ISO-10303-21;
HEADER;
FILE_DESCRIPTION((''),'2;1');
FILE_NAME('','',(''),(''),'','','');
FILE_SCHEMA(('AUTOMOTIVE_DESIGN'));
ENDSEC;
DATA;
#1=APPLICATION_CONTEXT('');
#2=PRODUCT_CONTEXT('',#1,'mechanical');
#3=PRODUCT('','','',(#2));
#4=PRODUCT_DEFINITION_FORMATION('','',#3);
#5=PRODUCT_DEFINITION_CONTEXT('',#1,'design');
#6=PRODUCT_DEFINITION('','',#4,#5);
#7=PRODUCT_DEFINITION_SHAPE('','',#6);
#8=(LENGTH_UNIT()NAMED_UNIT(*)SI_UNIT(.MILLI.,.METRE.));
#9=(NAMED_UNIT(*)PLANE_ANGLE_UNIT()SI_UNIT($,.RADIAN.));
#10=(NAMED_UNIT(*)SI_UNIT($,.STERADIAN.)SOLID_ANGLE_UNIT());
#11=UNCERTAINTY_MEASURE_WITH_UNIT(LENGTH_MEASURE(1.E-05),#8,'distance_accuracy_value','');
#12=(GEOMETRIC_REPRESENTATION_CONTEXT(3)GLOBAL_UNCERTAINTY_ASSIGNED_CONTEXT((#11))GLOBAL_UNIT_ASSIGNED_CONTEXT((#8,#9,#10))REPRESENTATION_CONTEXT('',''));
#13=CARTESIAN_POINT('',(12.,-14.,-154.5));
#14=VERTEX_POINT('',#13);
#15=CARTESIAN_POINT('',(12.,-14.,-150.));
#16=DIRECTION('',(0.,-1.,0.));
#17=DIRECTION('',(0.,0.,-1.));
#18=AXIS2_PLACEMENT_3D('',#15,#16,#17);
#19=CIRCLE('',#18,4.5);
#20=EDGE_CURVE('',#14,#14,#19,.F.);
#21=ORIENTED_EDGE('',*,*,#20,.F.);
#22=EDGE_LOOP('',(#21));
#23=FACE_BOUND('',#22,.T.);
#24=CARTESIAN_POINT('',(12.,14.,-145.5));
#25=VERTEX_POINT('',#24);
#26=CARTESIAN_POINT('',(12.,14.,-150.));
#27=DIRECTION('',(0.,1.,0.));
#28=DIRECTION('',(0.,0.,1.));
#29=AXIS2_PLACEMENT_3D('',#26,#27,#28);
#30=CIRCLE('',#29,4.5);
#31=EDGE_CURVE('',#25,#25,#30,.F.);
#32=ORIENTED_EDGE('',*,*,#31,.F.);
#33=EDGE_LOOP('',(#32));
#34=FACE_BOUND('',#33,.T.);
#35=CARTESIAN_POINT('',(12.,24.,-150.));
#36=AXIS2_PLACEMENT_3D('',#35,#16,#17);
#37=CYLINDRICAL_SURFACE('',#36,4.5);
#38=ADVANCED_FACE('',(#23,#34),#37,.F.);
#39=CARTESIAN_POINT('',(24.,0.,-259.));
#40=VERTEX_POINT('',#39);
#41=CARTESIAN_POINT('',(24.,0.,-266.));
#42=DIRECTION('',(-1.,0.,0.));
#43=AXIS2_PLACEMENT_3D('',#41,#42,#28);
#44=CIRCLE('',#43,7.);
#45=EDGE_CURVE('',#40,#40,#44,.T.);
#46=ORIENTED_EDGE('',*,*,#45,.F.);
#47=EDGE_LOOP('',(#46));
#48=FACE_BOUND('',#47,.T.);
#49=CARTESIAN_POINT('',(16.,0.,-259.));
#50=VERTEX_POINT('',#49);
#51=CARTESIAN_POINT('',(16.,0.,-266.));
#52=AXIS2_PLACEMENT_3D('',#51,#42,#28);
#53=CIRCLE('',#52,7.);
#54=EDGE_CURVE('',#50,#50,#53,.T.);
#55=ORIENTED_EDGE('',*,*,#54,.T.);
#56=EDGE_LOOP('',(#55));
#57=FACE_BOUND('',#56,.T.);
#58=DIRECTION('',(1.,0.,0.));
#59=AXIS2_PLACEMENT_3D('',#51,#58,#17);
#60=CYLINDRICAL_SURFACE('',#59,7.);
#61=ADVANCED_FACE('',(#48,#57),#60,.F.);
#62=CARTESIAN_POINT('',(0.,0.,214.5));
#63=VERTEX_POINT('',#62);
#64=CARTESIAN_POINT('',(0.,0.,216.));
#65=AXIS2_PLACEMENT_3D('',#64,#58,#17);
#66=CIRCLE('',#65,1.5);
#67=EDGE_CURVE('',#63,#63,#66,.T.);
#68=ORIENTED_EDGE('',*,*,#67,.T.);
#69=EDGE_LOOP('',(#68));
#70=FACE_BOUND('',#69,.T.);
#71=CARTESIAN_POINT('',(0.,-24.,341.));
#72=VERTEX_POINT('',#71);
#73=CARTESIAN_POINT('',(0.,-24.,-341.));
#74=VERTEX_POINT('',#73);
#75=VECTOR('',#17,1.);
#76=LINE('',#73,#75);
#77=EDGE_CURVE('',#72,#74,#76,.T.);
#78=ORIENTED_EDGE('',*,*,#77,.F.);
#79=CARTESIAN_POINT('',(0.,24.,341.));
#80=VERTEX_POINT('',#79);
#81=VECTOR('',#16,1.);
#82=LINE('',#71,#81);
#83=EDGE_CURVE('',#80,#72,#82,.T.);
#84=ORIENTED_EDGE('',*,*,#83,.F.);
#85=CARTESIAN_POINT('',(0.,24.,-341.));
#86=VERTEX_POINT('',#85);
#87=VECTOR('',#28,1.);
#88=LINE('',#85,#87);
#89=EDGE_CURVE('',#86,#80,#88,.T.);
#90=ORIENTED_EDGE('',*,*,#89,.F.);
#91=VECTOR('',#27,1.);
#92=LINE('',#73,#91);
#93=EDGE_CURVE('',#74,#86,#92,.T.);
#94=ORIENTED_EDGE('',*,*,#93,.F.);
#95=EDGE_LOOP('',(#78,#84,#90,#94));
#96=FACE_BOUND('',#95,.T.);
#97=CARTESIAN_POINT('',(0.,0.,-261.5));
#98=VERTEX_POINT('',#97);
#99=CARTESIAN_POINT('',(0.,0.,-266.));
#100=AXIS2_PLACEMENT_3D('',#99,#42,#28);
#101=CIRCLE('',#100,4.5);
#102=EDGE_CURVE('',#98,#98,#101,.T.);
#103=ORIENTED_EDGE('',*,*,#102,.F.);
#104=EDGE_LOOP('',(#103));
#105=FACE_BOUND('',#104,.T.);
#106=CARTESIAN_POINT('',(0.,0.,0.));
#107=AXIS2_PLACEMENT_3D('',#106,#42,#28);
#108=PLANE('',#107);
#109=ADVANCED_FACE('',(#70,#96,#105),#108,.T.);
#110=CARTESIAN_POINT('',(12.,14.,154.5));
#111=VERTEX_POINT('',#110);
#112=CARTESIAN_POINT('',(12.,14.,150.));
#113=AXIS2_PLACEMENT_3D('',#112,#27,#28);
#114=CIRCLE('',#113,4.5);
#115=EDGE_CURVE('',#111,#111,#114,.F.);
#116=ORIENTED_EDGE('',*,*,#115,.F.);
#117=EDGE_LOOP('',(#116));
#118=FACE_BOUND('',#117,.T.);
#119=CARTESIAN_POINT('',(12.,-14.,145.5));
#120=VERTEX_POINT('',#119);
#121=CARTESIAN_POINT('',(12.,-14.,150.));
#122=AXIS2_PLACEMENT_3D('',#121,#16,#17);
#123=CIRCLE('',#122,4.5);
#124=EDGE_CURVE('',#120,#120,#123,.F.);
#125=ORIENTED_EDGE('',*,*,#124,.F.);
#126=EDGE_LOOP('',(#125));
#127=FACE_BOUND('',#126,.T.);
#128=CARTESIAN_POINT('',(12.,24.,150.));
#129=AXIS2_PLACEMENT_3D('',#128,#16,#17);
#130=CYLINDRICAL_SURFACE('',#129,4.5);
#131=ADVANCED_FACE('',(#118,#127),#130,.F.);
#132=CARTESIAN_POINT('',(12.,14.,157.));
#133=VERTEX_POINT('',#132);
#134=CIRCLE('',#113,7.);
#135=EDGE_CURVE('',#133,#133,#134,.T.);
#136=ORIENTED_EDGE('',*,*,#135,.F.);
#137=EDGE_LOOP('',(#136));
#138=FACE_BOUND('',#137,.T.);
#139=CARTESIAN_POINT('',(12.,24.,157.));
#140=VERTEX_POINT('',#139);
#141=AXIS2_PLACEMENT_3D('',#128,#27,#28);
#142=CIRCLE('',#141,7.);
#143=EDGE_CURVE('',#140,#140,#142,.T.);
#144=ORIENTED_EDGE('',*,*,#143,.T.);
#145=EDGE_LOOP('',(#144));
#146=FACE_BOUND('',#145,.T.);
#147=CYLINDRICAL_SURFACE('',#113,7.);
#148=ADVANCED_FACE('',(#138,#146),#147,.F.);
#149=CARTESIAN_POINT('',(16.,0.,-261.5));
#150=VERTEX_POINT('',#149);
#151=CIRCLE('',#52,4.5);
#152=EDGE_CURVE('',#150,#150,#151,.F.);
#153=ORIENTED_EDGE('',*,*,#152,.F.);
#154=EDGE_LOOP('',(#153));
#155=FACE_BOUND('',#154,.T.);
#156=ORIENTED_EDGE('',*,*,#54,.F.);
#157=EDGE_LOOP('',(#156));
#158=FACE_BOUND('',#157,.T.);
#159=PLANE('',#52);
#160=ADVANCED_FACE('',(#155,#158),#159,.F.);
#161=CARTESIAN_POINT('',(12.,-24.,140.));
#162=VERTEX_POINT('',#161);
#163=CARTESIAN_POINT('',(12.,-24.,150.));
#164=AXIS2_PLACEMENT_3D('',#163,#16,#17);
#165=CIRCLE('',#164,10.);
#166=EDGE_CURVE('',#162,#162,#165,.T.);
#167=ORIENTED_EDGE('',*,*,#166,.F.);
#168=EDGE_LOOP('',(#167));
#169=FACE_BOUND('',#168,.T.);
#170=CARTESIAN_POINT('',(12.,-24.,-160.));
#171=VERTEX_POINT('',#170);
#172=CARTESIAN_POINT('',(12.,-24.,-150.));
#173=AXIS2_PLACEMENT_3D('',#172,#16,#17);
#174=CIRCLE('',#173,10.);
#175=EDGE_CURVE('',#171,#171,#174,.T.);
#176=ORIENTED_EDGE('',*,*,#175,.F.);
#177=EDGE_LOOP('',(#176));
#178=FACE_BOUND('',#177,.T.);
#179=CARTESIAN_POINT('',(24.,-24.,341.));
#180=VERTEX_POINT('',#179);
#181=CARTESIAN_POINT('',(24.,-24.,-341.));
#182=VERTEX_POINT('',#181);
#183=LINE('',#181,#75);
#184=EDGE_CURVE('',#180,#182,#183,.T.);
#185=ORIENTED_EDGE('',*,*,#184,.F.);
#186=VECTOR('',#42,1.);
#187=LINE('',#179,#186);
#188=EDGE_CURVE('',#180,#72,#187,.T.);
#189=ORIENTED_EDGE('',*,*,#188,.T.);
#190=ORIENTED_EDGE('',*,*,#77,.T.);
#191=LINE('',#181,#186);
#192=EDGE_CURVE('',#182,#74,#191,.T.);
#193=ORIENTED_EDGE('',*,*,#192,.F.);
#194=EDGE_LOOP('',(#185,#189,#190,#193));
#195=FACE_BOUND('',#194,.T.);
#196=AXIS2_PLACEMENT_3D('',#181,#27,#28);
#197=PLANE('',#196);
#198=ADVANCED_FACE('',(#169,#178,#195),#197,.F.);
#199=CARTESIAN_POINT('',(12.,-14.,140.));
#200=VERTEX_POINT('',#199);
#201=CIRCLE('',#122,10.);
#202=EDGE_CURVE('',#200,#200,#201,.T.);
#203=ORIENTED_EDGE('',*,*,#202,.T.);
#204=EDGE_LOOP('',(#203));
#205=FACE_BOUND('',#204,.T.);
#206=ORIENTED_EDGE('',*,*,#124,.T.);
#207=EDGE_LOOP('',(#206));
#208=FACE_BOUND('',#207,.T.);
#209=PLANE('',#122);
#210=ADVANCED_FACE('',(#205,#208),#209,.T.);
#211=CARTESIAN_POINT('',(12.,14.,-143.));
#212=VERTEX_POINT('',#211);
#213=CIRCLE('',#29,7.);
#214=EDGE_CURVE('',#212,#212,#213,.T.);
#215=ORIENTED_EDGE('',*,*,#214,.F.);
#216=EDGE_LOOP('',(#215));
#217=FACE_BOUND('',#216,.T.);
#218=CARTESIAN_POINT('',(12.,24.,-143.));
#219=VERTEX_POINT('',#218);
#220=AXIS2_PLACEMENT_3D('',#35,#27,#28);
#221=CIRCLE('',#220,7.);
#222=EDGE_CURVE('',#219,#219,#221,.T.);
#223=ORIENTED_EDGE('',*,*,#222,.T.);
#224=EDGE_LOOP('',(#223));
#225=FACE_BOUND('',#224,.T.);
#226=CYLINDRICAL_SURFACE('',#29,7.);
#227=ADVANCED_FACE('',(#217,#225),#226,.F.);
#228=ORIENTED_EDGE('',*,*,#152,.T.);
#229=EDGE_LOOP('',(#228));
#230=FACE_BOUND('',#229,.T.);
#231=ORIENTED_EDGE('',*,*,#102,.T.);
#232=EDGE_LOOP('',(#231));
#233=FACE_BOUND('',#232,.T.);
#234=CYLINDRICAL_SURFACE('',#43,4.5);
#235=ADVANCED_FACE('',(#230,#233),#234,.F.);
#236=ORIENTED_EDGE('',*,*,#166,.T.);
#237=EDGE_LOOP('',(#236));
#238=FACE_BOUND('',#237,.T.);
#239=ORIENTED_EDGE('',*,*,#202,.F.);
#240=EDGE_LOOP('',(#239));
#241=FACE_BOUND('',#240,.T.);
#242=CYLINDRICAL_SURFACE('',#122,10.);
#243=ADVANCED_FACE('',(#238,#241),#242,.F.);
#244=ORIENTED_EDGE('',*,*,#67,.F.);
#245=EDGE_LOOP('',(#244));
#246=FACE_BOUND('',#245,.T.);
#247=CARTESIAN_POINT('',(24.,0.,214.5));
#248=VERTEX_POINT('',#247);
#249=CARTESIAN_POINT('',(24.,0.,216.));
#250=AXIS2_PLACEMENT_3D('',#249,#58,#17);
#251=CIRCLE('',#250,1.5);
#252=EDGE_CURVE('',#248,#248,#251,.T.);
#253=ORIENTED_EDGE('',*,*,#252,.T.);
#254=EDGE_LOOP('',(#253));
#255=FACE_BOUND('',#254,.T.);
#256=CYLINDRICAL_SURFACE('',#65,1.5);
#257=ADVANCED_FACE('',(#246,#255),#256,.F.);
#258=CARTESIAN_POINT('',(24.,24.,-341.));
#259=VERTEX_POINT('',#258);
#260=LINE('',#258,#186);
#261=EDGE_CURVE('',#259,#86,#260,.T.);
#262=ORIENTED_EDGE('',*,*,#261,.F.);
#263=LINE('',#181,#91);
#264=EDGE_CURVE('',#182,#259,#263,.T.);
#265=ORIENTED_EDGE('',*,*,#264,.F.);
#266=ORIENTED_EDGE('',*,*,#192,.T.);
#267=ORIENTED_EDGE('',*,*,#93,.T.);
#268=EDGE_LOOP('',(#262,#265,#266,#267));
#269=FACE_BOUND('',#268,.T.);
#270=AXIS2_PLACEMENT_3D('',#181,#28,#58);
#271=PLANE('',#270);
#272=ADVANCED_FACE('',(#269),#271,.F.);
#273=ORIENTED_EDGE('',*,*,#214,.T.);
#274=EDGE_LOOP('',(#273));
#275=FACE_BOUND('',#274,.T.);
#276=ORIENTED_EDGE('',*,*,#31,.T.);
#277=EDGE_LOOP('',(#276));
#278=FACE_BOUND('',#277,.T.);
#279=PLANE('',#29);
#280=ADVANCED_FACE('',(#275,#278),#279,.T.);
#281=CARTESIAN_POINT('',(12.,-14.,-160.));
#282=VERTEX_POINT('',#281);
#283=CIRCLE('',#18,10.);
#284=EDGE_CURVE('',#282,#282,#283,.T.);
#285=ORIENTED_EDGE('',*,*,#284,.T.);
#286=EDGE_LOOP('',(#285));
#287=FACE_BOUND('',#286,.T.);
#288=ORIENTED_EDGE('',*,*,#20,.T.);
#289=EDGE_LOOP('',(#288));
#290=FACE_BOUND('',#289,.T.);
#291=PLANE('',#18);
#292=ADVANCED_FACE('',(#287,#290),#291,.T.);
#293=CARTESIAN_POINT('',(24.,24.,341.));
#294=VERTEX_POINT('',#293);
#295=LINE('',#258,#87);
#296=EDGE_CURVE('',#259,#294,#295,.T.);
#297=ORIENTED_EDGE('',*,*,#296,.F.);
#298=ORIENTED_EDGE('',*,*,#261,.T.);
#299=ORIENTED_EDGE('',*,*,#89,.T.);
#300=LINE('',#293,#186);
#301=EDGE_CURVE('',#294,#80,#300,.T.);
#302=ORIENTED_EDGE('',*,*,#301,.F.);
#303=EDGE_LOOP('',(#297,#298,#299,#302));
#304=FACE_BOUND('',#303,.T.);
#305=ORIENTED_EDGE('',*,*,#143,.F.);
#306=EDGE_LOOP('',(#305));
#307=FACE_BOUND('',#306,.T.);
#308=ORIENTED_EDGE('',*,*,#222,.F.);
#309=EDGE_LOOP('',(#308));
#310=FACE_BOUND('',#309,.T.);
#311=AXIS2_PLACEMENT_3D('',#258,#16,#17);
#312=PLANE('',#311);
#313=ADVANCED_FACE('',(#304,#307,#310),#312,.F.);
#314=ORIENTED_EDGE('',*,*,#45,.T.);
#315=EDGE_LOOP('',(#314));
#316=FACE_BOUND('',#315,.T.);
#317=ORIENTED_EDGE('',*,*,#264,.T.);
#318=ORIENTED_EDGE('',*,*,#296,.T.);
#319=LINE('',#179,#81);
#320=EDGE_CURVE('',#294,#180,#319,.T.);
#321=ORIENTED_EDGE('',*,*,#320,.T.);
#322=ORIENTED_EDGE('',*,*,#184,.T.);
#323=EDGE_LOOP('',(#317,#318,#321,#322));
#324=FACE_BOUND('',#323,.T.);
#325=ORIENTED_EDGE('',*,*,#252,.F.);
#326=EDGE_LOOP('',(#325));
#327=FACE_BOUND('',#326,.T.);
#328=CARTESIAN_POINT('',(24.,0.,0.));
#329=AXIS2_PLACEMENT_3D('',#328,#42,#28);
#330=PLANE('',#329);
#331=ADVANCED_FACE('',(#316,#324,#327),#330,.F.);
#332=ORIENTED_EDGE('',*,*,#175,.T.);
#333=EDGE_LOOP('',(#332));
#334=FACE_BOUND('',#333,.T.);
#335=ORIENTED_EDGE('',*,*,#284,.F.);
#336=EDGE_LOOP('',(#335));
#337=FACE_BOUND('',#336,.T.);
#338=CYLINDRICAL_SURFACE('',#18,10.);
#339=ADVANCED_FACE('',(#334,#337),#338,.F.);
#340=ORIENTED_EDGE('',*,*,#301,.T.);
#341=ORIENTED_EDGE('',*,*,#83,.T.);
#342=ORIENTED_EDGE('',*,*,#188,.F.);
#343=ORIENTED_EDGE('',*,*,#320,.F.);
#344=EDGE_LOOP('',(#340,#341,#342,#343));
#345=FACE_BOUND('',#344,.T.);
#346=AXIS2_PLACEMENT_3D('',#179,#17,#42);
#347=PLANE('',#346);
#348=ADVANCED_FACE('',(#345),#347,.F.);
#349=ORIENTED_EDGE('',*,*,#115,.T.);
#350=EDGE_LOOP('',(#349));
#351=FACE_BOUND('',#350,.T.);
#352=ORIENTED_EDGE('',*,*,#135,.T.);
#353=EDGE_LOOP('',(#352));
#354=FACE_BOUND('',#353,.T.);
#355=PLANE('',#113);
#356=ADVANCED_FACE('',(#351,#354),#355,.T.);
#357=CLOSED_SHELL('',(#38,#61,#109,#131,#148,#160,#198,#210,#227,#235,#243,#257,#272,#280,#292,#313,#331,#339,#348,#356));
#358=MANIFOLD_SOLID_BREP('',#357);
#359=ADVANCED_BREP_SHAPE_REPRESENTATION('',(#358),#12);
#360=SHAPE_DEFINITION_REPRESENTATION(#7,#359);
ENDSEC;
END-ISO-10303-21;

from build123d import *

# Parameters (mm, degrees)
ESQUISSE1_W             = 682
ESQUISSE1_H             = 48
BOSS_EXTRU_1_DEPTH      = 24
ESQUISSE2_R             = 4.5
ENL_V_MAT_EXTRU_1_DEPTH = 346.197045179
ESQUISSE3_R             = 10
ENL_V_MAT_EXTRU_2_DEPTH = 10
ESQUISSE4_R             = 7
ENL_V_MAT_EXTRU_3_DEPTH = 10
ESQUISSE5_R             = 1.5
ENL_V_MAT_EXTRU_4_DEPTH = 343.68498654
ESQUISSE6_R             = 4.5
ENL_V_MAT_EXTRU_5_DEPTH = 343.68498654
ESQUISSE7_R             = 7
ENL_V_MAT_EXTRU_6_DEPTH = 8


with BuildPart() as part:
    # Esquisse1 → Boss.-Extru.1 (new body)
    with BuildSketch(Plane(origin=(0, 0, 0), x_dir=(0, 0, -1), z_dir=(1, 0, 0))):
        Rectangle(ESQUISSE1_W, ESQUISSE1_H)
    extrude(amount=BOSS_EXTRU_1_DEPTH)

    # Esquisse2 → Enlèv. mat.-Extru.1 (cut, through all)
    with BuildSketch(Plane.XZ.offset(24)):
        with Locations(Location((12, 150, 0), (0, 0, 270))):
            Circle(ESQUISSE2_R)
        with Locations(Location((12, -150, 0), (0, 0, 270))):
            Circle(ESQUISSE2_R)
    extrude(amount=-ENL_V_MAT_EXTRU_1_DEPTH, mode=Mode.SUBTRACT)

    # Esquisse3 → Enlèv. mat.-Extru.2 (cut)
    with BuildSketch(Plane.XZ.offset(24)):
        with Locations(Location((12, 150, 0), (0, 0, 270))):
            Circle(ESQUISSE3_R)
        with Locations(Location((12, -150, 0), (0, 0, 270))):
            Circle(ESQUISSE3_R)
    extrude(amount=-ENL_V_MAT_EXTRU_2_DEPTH, mode=Mode.SUBTRACT)

    # Esquisse4 → Enlèv. mat.-Extru.3 (cut)
    with BuildSketch(Plane(origin=(0, 24, 0), x_dir=(-1, 0, 0), z_dir=(0, 1, 0))):
        with Locations(Location((-12, 150, 0), (0, 0, 90))):
            Circle(ESQUISSE4_R)
        with Locations(Location((-12, -150, 0), (0, 0, 90))):
            Circle(ESQUISSE4_R)
    extrude(amount=-ENL_V_MAT_EXTRU_3_DEPTH, mode=Mode.SUBTRACT)

    # Esquisse5 → Enlèv. mat.-Extru.4 (cut, through all)
    with BuildSketch(Plane(origin=(24, 0, 0), x_dir=(0, 0, -1), z_dir=(1, 0, 0))):
        with Locations((-216, 0)):
            Circle(ESQUISSE5_R)
    extrude(amount=-ENL_V_MAT_EXTRU_4_DEPTH, mode=Mode.SUBTRACT)

    # Esquisse6 → Enlèv. mat.-Extru.5 (cut, through all)
    with BuildSketch(Plane.ZY):
        with Locations((-266, 0)):
            Circle(ESQUISSE6_R)
    extrude(amount=-ENL_V_MAT_EXTRU_5_DEPTH, mode=Mode.SUBTRACT)

    # Esquisse7 → Enlèv. mat.-Extru.6 (cut)
    with BuildSketch(Plane.ZY.offset(-24)):
        with Locations((-266, 0)):
            Circle(ESQUISSE7_R)
    extrude(amount=ENL_V_MAT_EXTRU_6_DEPTH, mode=Mode.SUBTRACT)


solid = part.part
